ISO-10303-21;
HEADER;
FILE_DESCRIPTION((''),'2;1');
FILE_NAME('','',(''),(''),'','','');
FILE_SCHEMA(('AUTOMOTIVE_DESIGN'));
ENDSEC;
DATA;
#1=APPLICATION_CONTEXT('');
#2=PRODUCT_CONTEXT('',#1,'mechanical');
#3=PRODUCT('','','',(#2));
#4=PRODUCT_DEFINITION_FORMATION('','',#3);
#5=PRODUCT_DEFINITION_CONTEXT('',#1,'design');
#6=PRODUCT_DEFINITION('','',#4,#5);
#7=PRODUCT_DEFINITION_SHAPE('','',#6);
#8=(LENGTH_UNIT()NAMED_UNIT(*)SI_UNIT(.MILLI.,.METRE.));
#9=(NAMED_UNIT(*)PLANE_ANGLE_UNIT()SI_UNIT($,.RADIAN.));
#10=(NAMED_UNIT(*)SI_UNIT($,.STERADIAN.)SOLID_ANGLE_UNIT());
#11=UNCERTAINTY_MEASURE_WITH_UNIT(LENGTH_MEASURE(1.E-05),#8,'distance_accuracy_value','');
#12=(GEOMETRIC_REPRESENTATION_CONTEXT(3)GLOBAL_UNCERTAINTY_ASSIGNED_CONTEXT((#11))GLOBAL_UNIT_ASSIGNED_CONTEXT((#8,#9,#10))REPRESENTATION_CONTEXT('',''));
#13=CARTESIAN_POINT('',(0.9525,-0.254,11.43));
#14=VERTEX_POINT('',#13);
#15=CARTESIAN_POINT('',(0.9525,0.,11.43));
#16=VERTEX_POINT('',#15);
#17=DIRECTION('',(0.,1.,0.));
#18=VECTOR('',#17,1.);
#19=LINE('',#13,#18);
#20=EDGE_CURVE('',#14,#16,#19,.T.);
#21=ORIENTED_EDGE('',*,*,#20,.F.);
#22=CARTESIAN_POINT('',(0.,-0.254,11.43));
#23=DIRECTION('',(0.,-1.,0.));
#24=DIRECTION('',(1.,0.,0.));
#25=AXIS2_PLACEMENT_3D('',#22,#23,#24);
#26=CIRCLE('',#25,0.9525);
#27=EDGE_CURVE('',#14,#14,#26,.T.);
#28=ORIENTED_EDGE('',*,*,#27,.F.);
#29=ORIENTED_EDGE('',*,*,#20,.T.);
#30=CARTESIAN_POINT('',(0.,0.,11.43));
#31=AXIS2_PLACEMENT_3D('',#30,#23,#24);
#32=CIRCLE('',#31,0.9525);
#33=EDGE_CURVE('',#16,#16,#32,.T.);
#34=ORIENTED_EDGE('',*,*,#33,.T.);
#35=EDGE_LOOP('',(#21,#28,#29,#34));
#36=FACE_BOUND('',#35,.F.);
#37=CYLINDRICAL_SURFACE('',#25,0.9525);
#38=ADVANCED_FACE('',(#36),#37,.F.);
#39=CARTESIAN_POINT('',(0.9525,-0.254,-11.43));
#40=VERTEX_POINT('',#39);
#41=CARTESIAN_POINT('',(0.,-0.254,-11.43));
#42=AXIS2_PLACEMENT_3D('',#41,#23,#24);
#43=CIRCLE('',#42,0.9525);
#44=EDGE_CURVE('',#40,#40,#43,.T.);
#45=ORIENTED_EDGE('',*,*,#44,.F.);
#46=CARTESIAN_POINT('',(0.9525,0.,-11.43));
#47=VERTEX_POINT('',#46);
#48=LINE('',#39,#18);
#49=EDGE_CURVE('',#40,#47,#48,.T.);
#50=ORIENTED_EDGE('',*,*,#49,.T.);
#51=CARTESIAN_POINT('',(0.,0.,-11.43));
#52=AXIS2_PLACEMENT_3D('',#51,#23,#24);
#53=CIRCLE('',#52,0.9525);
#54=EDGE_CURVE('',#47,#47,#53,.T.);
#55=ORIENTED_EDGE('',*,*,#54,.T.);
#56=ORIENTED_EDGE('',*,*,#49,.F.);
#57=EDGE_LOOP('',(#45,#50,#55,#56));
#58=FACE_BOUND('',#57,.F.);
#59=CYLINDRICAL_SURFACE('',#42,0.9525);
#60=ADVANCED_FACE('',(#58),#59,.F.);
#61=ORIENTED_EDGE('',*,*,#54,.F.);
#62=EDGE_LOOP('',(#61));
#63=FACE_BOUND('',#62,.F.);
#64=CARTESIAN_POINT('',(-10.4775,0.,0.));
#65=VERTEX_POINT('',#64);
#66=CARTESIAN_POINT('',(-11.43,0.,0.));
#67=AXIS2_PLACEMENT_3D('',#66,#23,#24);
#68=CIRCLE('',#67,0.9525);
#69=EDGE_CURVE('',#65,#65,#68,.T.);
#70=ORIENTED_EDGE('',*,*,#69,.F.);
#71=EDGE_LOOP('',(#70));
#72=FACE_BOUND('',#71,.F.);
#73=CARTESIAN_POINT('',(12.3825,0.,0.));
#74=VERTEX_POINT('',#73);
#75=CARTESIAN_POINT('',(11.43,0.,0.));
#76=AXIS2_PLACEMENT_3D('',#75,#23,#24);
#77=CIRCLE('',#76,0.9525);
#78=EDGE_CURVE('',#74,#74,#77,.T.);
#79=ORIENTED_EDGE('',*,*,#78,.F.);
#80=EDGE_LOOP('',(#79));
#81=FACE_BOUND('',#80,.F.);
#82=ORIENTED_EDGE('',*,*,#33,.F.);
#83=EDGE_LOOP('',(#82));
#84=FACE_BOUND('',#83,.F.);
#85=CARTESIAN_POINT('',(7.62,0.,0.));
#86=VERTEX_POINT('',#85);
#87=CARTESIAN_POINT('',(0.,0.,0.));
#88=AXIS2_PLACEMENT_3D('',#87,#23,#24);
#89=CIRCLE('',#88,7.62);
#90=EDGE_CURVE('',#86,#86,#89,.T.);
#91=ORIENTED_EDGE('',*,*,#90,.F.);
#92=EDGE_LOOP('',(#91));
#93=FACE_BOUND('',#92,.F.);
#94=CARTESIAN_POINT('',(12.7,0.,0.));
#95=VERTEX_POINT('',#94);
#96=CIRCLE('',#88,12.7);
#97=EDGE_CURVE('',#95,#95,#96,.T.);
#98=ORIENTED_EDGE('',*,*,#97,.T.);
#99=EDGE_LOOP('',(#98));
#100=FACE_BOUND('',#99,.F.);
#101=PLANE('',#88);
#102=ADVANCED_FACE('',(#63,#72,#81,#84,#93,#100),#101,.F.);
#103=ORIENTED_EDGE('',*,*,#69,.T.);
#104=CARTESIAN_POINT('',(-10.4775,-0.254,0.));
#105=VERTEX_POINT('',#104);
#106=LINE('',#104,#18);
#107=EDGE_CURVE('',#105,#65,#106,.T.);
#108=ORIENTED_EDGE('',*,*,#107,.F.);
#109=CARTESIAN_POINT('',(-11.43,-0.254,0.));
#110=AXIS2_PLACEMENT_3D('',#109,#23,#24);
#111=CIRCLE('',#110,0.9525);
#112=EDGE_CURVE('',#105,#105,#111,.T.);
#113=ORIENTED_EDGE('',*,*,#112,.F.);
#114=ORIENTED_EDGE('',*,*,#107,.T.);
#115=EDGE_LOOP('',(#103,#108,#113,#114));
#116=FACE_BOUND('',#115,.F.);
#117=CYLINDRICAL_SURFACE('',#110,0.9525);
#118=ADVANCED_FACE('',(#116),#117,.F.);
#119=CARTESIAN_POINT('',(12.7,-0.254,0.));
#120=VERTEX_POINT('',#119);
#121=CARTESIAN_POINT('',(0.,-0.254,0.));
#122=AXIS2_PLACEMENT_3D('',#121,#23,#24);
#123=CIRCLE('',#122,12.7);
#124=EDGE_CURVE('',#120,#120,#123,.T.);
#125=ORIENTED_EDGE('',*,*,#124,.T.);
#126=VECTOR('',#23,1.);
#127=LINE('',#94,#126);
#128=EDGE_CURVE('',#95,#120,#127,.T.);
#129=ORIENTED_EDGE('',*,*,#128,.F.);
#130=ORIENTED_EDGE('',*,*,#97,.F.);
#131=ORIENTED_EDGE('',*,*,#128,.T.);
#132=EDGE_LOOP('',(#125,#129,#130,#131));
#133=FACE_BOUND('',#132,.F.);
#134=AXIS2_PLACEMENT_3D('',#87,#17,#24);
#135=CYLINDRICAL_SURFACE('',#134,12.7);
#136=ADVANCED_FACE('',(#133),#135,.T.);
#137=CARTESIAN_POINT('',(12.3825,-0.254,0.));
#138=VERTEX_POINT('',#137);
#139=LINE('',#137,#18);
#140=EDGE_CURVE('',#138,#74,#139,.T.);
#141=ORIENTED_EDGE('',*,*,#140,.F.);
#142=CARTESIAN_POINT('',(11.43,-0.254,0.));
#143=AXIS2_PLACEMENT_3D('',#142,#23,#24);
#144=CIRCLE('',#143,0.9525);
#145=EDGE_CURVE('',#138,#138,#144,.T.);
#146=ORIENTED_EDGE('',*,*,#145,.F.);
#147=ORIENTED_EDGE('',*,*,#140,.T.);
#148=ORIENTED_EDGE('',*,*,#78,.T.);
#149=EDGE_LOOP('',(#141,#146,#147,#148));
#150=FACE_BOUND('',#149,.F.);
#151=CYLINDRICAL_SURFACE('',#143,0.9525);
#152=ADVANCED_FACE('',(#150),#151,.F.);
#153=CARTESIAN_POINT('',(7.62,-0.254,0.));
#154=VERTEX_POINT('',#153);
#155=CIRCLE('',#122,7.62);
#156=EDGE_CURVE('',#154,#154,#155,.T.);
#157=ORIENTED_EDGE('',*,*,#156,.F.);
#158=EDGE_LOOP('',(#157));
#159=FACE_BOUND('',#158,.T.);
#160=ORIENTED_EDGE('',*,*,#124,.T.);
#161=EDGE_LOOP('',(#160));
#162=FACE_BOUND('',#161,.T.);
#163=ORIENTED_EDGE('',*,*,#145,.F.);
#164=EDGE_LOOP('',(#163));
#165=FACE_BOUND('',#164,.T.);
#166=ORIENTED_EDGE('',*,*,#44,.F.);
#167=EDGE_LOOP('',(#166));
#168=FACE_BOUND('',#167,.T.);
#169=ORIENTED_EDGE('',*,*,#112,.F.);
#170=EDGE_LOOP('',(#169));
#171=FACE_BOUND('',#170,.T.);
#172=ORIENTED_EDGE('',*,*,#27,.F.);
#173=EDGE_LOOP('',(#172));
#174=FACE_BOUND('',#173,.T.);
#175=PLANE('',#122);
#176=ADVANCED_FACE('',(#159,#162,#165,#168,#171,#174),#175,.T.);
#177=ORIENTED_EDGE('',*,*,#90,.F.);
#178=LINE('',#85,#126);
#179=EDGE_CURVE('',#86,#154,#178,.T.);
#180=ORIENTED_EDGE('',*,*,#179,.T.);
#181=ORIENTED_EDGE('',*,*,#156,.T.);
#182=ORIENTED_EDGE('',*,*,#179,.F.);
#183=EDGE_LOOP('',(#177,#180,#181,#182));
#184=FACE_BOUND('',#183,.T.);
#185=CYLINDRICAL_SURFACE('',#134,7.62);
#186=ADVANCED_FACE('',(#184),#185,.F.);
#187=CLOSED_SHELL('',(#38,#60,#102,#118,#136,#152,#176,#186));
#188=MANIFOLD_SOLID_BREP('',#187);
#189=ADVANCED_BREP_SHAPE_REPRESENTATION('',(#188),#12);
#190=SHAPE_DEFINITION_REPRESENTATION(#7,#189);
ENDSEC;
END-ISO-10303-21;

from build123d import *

# Parameters (mm, degrees)
F0_R     = 12.7
F0_R_2   = 7.62
F1_DEPTH = 0.254
F2_R     = 0.9525
F3_DEPTH = 25.4


with BuildPart() as f1:
    # F0 (on Front) → F1 (new body)
    with BuildSketch(Plane.XZ):
        Circle(F0_R)
        Circle(F0_R_2, mode=Mode.SUBTRACT)
    extrude(amount=F1_DEPTH)

    # F2 (on face) → F3 (cut)
    with BuildSketch(Plane.XZ.offset(0.254)):
        with Locations((0, 11.43)):
            Circle(F2_R)
        with Locations((11.43, 0)):
            Circle(F2_R)
        with Locations((0, -11.43)):
            Circle(F2_R)
        with Locations((-11.43, 0)):
            Circle(F2_R)
    extrude(amount=-F3_DEPTH, mode=Mode.SUBTRACT)


solid = f1.part
